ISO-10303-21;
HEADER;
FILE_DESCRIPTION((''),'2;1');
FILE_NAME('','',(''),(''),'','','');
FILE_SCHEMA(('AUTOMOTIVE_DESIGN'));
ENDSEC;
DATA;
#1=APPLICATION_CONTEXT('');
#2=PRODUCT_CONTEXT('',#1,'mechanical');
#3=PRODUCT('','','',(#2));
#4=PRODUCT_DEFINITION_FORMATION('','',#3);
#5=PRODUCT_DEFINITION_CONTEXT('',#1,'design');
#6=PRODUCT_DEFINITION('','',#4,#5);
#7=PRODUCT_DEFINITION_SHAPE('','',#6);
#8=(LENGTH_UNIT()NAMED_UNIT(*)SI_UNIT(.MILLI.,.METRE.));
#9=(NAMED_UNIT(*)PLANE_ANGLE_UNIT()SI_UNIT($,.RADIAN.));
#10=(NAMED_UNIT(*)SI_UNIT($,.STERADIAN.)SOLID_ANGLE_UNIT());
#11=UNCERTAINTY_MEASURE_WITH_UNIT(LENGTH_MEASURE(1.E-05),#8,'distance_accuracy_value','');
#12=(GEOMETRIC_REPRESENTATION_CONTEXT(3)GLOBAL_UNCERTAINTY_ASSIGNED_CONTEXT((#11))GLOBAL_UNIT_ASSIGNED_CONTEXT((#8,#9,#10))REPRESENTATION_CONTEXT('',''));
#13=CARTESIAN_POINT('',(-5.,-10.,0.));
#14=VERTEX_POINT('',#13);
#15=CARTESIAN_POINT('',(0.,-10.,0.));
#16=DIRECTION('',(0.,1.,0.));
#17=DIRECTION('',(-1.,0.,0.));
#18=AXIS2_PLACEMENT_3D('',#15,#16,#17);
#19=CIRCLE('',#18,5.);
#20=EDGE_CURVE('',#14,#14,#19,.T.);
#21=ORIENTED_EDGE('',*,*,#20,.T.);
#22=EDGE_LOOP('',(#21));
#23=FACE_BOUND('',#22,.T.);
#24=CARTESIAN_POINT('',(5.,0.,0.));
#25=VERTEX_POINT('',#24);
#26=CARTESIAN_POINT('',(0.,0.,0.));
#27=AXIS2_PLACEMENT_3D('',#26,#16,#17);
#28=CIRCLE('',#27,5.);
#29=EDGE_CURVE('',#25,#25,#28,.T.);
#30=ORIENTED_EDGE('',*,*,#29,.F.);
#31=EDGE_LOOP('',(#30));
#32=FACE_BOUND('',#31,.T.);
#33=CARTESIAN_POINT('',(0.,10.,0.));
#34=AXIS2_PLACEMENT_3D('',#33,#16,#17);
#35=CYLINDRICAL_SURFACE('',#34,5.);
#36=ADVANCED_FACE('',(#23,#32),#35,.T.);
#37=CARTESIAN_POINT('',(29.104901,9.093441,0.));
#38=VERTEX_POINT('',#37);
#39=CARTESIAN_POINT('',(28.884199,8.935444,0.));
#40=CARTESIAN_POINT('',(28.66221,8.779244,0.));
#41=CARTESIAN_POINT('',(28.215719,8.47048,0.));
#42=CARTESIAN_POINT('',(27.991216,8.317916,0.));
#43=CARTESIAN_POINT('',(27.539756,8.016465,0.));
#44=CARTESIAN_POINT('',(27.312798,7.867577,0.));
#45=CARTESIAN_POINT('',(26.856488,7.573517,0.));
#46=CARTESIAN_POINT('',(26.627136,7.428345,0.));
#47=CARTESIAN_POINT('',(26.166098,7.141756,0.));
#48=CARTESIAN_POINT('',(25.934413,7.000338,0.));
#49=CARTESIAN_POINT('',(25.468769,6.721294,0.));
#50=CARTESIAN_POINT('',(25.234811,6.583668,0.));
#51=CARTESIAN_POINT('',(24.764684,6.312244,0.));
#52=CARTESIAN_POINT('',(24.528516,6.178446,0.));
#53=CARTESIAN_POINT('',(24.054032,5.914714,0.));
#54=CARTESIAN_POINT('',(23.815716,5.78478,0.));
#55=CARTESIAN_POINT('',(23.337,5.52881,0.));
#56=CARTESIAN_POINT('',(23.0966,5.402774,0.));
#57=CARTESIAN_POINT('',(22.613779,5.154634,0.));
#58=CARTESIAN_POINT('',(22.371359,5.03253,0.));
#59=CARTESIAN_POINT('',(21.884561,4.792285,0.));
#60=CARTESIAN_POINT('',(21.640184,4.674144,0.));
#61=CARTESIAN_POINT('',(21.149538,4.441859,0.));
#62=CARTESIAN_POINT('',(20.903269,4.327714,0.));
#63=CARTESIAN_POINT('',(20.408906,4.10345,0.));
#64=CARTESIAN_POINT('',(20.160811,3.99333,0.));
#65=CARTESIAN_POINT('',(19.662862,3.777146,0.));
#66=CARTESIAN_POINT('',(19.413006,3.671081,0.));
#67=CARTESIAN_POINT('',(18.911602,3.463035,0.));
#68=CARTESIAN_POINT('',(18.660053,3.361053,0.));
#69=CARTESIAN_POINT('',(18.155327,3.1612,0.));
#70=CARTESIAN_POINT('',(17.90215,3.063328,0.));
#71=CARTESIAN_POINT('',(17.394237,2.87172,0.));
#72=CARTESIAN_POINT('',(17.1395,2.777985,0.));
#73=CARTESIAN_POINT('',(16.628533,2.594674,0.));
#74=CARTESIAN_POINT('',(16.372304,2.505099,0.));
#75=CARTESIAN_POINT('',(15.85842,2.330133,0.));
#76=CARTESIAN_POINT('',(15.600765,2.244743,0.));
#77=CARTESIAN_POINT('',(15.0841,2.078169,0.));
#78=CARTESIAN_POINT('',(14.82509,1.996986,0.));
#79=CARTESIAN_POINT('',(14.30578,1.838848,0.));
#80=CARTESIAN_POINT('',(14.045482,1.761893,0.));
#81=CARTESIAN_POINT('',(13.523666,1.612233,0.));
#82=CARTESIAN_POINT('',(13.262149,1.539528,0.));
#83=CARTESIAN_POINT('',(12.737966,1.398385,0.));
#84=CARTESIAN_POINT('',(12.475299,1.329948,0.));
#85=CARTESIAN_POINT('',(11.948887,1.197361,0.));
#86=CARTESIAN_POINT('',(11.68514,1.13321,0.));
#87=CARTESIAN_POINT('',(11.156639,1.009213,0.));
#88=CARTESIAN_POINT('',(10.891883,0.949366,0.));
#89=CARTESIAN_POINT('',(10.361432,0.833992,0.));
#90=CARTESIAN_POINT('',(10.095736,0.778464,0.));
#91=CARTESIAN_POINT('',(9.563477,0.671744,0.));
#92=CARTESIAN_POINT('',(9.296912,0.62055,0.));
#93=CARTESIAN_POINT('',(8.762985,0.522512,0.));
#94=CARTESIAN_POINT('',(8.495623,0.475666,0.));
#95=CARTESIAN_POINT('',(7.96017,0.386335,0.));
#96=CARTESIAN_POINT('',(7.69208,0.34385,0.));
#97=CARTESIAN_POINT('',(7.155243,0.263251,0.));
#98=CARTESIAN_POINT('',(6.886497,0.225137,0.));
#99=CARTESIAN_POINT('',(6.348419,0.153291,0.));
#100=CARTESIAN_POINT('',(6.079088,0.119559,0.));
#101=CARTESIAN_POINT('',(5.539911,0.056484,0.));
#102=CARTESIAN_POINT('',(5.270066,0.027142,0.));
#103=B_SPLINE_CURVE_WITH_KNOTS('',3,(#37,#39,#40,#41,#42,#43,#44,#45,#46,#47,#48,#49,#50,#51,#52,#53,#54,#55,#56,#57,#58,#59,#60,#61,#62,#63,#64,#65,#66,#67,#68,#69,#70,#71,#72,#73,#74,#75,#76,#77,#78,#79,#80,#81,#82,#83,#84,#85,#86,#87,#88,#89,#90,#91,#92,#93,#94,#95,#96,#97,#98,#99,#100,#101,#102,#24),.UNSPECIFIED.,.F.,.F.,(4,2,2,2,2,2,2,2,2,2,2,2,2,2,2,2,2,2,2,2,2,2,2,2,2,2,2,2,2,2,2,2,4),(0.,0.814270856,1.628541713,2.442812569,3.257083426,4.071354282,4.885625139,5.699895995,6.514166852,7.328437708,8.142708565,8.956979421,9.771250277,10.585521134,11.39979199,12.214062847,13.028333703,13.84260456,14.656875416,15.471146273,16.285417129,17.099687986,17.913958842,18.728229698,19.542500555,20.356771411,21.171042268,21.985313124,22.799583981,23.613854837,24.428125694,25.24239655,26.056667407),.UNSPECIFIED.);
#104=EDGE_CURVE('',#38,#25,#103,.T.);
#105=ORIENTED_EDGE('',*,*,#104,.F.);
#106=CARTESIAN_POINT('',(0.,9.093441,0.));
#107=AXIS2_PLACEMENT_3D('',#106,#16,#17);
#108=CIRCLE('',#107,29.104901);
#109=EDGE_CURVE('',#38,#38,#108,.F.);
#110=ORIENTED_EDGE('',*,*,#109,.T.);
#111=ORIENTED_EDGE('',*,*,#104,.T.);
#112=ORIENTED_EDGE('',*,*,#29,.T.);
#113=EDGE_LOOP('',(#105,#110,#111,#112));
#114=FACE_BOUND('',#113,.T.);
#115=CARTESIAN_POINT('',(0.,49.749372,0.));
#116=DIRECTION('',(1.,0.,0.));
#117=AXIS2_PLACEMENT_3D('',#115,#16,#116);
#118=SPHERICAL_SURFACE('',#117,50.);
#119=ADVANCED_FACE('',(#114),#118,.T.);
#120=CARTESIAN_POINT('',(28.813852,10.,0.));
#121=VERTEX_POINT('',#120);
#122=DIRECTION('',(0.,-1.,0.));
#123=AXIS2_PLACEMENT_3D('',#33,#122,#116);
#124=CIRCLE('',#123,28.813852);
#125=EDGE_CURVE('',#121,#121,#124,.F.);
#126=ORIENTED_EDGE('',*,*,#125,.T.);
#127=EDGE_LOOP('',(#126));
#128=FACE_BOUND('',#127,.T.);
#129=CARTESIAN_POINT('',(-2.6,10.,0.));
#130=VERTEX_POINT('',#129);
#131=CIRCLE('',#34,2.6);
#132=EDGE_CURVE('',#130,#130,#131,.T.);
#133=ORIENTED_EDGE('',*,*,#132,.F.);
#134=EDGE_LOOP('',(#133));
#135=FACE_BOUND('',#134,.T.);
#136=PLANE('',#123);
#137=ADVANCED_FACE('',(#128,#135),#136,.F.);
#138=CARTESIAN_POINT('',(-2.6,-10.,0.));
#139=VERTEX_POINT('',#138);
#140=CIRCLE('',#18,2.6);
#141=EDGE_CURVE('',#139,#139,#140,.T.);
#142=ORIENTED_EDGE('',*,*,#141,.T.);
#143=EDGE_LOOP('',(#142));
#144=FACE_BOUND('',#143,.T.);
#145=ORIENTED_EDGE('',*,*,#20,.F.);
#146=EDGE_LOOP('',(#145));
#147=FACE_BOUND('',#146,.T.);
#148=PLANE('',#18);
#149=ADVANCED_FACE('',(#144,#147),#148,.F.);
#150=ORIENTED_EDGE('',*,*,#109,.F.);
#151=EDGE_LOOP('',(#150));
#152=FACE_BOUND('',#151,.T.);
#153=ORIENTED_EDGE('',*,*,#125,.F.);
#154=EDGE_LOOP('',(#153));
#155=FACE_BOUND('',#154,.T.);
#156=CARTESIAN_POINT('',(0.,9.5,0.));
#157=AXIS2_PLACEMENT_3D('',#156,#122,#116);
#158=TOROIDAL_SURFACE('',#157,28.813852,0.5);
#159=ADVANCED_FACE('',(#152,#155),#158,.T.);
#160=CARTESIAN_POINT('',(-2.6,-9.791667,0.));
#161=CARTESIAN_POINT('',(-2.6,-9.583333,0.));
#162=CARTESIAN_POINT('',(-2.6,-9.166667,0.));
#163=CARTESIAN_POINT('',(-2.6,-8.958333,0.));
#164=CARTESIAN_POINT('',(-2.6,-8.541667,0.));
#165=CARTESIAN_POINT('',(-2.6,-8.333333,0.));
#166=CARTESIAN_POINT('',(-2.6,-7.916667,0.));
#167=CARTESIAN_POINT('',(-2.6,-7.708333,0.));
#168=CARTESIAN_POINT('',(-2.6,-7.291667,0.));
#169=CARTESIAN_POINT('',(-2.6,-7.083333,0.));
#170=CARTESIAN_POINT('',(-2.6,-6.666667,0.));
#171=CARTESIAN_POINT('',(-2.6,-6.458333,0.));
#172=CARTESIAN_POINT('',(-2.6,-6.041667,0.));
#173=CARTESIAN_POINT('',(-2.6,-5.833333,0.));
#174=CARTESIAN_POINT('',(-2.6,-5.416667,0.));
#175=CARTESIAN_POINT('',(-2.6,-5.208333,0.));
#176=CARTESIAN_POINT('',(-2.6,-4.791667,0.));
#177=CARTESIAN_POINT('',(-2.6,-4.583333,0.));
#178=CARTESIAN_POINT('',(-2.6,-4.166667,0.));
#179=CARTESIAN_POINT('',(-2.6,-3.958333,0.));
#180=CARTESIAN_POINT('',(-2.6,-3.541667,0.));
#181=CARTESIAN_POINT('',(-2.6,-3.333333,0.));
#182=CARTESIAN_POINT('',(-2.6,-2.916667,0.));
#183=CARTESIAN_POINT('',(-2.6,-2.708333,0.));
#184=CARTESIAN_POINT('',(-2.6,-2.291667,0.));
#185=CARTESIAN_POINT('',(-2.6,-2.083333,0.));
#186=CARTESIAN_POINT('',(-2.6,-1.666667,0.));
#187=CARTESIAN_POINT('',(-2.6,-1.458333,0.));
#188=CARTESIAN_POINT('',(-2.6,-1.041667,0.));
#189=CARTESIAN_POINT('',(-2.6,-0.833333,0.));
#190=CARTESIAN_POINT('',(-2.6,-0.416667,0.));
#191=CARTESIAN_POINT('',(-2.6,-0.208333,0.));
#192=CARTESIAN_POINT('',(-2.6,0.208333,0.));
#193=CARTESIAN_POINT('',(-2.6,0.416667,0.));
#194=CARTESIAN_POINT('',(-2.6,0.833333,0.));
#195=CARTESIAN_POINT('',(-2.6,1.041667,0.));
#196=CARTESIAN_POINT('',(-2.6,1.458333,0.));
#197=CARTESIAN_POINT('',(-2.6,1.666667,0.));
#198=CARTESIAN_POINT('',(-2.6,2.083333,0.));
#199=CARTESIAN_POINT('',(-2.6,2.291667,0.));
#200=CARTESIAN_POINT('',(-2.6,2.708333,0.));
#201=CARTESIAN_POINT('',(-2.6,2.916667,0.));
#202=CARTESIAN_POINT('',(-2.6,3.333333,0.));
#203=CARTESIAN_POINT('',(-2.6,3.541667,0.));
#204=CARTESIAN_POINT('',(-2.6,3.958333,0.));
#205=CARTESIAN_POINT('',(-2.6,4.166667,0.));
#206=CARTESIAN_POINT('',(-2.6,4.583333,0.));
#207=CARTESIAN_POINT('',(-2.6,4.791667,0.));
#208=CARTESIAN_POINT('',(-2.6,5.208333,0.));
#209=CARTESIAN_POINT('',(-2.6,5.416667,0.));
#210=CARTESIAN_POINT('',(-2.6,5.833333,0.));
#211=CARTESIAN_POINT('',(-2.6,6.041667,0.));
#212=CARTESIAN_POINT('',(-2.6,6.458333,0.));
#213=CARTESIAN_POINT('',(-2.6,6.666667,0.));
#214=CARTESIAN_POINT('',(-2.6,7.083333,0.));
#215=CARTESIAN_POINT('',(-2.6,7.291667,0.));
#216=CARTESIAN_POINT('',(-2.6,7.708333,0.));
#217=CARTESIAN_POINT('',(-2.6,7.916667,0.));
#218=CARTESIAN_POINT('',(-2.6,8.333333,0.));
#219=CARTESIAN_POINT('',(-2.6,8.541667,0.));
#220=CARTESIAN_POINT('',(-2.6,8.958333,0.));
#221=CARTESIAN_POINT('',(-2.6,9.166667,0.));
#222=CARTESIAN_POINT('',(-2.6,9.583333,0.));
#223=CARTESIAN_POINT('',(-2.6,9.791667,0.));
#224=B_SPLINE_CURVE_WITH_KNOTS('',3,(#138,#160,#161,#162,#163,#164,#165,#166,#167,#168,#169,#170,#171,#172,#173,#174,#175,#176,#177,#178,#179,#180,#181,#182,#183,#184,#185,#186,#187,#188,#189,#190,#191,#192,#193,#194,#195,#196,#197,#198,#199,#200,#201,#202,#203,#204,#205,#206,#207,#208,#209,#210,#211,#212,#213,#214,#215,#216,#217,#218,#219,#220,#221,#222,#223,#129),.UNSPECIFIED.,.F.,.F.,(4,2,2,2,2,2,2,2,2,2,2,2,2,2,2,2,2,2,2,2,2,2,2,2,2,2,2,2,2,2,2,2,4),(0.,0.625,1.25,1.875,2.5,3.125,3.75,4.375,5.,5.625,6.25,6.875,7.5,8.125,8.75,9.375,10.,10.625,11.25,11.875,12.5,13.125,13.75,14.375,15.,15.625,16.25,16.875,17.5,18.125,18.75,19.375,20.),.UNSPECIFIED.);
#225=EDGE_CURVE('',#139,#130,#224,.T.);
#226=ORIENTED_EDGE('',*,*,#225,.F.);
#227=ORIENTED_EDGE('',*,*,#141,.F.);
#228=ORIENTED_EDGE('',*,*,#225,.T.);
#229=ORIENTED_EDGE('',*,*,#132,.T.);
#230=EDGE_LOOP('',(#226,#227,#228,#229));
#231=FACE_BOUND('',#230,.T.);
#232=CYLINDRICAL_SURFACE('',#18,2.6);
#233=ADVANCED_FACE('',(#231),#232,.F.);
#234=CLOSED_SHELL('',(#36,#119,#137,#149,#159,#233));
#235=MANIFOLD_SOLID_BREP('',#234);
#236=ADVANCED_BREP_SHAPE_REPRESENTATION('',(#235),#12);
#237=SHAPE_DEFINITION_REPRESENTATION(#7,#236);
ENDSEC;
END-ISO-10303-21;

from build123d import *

# Parameters (mm, degrees)
SKETCH2_R          = 2.6
CUT_EXTRUDE1_DEPTH = 48.328372824
FILLET1_R          = 0.5


with BuildPart() as part:
    # Sketch1 → Revolve1 (revolve)
    with BuildSketch(Plane.XY, mode=Mode.PRIVATE) as revolve1_sk:
        with BuildLine():
            Line((0, 10), (0, 0))
            Line((0, 0), (0, -10))
            Line((0, -10), (5, -10))
            Line((5, -10), (5, 0))
            ThreePointArc((5, 0), (18.359605006, 3.242115389), (30.331294682, 10))
            Line((30.331294682, 10), (0, 10))
        make_face()
    revolve(revolve1_sk.sketch.rotate(Axis((0, 10, 0), (0, -1, 0)), 180), axis=Axis((0, 10, 0), (0, -1, 0)))

    # Sketch2 → Cut-Extrude1 (cut, through all)
    with BuildSketch(Plane(origin=(0, 10, 0), x_dir=(1, 0, 0), z_dir=(0, 1, 0))):
        with Locations(Location((0, 0, 0), (0, 0, 180))):
            Circle(SKETCH2_R)
    extrude(amount=-CUT_EXTRUDE1_DEPTH, mode=Mode.SUBTRACT)

    # Fillet1
    fillet1_edges = [part.edges().sort_by_distance(p)[0] for p in [
        (30.331294682, 10, 0),
    ]]
    fillet(fillet1_edges, radius=FILLET1_R)


solid = part.part
